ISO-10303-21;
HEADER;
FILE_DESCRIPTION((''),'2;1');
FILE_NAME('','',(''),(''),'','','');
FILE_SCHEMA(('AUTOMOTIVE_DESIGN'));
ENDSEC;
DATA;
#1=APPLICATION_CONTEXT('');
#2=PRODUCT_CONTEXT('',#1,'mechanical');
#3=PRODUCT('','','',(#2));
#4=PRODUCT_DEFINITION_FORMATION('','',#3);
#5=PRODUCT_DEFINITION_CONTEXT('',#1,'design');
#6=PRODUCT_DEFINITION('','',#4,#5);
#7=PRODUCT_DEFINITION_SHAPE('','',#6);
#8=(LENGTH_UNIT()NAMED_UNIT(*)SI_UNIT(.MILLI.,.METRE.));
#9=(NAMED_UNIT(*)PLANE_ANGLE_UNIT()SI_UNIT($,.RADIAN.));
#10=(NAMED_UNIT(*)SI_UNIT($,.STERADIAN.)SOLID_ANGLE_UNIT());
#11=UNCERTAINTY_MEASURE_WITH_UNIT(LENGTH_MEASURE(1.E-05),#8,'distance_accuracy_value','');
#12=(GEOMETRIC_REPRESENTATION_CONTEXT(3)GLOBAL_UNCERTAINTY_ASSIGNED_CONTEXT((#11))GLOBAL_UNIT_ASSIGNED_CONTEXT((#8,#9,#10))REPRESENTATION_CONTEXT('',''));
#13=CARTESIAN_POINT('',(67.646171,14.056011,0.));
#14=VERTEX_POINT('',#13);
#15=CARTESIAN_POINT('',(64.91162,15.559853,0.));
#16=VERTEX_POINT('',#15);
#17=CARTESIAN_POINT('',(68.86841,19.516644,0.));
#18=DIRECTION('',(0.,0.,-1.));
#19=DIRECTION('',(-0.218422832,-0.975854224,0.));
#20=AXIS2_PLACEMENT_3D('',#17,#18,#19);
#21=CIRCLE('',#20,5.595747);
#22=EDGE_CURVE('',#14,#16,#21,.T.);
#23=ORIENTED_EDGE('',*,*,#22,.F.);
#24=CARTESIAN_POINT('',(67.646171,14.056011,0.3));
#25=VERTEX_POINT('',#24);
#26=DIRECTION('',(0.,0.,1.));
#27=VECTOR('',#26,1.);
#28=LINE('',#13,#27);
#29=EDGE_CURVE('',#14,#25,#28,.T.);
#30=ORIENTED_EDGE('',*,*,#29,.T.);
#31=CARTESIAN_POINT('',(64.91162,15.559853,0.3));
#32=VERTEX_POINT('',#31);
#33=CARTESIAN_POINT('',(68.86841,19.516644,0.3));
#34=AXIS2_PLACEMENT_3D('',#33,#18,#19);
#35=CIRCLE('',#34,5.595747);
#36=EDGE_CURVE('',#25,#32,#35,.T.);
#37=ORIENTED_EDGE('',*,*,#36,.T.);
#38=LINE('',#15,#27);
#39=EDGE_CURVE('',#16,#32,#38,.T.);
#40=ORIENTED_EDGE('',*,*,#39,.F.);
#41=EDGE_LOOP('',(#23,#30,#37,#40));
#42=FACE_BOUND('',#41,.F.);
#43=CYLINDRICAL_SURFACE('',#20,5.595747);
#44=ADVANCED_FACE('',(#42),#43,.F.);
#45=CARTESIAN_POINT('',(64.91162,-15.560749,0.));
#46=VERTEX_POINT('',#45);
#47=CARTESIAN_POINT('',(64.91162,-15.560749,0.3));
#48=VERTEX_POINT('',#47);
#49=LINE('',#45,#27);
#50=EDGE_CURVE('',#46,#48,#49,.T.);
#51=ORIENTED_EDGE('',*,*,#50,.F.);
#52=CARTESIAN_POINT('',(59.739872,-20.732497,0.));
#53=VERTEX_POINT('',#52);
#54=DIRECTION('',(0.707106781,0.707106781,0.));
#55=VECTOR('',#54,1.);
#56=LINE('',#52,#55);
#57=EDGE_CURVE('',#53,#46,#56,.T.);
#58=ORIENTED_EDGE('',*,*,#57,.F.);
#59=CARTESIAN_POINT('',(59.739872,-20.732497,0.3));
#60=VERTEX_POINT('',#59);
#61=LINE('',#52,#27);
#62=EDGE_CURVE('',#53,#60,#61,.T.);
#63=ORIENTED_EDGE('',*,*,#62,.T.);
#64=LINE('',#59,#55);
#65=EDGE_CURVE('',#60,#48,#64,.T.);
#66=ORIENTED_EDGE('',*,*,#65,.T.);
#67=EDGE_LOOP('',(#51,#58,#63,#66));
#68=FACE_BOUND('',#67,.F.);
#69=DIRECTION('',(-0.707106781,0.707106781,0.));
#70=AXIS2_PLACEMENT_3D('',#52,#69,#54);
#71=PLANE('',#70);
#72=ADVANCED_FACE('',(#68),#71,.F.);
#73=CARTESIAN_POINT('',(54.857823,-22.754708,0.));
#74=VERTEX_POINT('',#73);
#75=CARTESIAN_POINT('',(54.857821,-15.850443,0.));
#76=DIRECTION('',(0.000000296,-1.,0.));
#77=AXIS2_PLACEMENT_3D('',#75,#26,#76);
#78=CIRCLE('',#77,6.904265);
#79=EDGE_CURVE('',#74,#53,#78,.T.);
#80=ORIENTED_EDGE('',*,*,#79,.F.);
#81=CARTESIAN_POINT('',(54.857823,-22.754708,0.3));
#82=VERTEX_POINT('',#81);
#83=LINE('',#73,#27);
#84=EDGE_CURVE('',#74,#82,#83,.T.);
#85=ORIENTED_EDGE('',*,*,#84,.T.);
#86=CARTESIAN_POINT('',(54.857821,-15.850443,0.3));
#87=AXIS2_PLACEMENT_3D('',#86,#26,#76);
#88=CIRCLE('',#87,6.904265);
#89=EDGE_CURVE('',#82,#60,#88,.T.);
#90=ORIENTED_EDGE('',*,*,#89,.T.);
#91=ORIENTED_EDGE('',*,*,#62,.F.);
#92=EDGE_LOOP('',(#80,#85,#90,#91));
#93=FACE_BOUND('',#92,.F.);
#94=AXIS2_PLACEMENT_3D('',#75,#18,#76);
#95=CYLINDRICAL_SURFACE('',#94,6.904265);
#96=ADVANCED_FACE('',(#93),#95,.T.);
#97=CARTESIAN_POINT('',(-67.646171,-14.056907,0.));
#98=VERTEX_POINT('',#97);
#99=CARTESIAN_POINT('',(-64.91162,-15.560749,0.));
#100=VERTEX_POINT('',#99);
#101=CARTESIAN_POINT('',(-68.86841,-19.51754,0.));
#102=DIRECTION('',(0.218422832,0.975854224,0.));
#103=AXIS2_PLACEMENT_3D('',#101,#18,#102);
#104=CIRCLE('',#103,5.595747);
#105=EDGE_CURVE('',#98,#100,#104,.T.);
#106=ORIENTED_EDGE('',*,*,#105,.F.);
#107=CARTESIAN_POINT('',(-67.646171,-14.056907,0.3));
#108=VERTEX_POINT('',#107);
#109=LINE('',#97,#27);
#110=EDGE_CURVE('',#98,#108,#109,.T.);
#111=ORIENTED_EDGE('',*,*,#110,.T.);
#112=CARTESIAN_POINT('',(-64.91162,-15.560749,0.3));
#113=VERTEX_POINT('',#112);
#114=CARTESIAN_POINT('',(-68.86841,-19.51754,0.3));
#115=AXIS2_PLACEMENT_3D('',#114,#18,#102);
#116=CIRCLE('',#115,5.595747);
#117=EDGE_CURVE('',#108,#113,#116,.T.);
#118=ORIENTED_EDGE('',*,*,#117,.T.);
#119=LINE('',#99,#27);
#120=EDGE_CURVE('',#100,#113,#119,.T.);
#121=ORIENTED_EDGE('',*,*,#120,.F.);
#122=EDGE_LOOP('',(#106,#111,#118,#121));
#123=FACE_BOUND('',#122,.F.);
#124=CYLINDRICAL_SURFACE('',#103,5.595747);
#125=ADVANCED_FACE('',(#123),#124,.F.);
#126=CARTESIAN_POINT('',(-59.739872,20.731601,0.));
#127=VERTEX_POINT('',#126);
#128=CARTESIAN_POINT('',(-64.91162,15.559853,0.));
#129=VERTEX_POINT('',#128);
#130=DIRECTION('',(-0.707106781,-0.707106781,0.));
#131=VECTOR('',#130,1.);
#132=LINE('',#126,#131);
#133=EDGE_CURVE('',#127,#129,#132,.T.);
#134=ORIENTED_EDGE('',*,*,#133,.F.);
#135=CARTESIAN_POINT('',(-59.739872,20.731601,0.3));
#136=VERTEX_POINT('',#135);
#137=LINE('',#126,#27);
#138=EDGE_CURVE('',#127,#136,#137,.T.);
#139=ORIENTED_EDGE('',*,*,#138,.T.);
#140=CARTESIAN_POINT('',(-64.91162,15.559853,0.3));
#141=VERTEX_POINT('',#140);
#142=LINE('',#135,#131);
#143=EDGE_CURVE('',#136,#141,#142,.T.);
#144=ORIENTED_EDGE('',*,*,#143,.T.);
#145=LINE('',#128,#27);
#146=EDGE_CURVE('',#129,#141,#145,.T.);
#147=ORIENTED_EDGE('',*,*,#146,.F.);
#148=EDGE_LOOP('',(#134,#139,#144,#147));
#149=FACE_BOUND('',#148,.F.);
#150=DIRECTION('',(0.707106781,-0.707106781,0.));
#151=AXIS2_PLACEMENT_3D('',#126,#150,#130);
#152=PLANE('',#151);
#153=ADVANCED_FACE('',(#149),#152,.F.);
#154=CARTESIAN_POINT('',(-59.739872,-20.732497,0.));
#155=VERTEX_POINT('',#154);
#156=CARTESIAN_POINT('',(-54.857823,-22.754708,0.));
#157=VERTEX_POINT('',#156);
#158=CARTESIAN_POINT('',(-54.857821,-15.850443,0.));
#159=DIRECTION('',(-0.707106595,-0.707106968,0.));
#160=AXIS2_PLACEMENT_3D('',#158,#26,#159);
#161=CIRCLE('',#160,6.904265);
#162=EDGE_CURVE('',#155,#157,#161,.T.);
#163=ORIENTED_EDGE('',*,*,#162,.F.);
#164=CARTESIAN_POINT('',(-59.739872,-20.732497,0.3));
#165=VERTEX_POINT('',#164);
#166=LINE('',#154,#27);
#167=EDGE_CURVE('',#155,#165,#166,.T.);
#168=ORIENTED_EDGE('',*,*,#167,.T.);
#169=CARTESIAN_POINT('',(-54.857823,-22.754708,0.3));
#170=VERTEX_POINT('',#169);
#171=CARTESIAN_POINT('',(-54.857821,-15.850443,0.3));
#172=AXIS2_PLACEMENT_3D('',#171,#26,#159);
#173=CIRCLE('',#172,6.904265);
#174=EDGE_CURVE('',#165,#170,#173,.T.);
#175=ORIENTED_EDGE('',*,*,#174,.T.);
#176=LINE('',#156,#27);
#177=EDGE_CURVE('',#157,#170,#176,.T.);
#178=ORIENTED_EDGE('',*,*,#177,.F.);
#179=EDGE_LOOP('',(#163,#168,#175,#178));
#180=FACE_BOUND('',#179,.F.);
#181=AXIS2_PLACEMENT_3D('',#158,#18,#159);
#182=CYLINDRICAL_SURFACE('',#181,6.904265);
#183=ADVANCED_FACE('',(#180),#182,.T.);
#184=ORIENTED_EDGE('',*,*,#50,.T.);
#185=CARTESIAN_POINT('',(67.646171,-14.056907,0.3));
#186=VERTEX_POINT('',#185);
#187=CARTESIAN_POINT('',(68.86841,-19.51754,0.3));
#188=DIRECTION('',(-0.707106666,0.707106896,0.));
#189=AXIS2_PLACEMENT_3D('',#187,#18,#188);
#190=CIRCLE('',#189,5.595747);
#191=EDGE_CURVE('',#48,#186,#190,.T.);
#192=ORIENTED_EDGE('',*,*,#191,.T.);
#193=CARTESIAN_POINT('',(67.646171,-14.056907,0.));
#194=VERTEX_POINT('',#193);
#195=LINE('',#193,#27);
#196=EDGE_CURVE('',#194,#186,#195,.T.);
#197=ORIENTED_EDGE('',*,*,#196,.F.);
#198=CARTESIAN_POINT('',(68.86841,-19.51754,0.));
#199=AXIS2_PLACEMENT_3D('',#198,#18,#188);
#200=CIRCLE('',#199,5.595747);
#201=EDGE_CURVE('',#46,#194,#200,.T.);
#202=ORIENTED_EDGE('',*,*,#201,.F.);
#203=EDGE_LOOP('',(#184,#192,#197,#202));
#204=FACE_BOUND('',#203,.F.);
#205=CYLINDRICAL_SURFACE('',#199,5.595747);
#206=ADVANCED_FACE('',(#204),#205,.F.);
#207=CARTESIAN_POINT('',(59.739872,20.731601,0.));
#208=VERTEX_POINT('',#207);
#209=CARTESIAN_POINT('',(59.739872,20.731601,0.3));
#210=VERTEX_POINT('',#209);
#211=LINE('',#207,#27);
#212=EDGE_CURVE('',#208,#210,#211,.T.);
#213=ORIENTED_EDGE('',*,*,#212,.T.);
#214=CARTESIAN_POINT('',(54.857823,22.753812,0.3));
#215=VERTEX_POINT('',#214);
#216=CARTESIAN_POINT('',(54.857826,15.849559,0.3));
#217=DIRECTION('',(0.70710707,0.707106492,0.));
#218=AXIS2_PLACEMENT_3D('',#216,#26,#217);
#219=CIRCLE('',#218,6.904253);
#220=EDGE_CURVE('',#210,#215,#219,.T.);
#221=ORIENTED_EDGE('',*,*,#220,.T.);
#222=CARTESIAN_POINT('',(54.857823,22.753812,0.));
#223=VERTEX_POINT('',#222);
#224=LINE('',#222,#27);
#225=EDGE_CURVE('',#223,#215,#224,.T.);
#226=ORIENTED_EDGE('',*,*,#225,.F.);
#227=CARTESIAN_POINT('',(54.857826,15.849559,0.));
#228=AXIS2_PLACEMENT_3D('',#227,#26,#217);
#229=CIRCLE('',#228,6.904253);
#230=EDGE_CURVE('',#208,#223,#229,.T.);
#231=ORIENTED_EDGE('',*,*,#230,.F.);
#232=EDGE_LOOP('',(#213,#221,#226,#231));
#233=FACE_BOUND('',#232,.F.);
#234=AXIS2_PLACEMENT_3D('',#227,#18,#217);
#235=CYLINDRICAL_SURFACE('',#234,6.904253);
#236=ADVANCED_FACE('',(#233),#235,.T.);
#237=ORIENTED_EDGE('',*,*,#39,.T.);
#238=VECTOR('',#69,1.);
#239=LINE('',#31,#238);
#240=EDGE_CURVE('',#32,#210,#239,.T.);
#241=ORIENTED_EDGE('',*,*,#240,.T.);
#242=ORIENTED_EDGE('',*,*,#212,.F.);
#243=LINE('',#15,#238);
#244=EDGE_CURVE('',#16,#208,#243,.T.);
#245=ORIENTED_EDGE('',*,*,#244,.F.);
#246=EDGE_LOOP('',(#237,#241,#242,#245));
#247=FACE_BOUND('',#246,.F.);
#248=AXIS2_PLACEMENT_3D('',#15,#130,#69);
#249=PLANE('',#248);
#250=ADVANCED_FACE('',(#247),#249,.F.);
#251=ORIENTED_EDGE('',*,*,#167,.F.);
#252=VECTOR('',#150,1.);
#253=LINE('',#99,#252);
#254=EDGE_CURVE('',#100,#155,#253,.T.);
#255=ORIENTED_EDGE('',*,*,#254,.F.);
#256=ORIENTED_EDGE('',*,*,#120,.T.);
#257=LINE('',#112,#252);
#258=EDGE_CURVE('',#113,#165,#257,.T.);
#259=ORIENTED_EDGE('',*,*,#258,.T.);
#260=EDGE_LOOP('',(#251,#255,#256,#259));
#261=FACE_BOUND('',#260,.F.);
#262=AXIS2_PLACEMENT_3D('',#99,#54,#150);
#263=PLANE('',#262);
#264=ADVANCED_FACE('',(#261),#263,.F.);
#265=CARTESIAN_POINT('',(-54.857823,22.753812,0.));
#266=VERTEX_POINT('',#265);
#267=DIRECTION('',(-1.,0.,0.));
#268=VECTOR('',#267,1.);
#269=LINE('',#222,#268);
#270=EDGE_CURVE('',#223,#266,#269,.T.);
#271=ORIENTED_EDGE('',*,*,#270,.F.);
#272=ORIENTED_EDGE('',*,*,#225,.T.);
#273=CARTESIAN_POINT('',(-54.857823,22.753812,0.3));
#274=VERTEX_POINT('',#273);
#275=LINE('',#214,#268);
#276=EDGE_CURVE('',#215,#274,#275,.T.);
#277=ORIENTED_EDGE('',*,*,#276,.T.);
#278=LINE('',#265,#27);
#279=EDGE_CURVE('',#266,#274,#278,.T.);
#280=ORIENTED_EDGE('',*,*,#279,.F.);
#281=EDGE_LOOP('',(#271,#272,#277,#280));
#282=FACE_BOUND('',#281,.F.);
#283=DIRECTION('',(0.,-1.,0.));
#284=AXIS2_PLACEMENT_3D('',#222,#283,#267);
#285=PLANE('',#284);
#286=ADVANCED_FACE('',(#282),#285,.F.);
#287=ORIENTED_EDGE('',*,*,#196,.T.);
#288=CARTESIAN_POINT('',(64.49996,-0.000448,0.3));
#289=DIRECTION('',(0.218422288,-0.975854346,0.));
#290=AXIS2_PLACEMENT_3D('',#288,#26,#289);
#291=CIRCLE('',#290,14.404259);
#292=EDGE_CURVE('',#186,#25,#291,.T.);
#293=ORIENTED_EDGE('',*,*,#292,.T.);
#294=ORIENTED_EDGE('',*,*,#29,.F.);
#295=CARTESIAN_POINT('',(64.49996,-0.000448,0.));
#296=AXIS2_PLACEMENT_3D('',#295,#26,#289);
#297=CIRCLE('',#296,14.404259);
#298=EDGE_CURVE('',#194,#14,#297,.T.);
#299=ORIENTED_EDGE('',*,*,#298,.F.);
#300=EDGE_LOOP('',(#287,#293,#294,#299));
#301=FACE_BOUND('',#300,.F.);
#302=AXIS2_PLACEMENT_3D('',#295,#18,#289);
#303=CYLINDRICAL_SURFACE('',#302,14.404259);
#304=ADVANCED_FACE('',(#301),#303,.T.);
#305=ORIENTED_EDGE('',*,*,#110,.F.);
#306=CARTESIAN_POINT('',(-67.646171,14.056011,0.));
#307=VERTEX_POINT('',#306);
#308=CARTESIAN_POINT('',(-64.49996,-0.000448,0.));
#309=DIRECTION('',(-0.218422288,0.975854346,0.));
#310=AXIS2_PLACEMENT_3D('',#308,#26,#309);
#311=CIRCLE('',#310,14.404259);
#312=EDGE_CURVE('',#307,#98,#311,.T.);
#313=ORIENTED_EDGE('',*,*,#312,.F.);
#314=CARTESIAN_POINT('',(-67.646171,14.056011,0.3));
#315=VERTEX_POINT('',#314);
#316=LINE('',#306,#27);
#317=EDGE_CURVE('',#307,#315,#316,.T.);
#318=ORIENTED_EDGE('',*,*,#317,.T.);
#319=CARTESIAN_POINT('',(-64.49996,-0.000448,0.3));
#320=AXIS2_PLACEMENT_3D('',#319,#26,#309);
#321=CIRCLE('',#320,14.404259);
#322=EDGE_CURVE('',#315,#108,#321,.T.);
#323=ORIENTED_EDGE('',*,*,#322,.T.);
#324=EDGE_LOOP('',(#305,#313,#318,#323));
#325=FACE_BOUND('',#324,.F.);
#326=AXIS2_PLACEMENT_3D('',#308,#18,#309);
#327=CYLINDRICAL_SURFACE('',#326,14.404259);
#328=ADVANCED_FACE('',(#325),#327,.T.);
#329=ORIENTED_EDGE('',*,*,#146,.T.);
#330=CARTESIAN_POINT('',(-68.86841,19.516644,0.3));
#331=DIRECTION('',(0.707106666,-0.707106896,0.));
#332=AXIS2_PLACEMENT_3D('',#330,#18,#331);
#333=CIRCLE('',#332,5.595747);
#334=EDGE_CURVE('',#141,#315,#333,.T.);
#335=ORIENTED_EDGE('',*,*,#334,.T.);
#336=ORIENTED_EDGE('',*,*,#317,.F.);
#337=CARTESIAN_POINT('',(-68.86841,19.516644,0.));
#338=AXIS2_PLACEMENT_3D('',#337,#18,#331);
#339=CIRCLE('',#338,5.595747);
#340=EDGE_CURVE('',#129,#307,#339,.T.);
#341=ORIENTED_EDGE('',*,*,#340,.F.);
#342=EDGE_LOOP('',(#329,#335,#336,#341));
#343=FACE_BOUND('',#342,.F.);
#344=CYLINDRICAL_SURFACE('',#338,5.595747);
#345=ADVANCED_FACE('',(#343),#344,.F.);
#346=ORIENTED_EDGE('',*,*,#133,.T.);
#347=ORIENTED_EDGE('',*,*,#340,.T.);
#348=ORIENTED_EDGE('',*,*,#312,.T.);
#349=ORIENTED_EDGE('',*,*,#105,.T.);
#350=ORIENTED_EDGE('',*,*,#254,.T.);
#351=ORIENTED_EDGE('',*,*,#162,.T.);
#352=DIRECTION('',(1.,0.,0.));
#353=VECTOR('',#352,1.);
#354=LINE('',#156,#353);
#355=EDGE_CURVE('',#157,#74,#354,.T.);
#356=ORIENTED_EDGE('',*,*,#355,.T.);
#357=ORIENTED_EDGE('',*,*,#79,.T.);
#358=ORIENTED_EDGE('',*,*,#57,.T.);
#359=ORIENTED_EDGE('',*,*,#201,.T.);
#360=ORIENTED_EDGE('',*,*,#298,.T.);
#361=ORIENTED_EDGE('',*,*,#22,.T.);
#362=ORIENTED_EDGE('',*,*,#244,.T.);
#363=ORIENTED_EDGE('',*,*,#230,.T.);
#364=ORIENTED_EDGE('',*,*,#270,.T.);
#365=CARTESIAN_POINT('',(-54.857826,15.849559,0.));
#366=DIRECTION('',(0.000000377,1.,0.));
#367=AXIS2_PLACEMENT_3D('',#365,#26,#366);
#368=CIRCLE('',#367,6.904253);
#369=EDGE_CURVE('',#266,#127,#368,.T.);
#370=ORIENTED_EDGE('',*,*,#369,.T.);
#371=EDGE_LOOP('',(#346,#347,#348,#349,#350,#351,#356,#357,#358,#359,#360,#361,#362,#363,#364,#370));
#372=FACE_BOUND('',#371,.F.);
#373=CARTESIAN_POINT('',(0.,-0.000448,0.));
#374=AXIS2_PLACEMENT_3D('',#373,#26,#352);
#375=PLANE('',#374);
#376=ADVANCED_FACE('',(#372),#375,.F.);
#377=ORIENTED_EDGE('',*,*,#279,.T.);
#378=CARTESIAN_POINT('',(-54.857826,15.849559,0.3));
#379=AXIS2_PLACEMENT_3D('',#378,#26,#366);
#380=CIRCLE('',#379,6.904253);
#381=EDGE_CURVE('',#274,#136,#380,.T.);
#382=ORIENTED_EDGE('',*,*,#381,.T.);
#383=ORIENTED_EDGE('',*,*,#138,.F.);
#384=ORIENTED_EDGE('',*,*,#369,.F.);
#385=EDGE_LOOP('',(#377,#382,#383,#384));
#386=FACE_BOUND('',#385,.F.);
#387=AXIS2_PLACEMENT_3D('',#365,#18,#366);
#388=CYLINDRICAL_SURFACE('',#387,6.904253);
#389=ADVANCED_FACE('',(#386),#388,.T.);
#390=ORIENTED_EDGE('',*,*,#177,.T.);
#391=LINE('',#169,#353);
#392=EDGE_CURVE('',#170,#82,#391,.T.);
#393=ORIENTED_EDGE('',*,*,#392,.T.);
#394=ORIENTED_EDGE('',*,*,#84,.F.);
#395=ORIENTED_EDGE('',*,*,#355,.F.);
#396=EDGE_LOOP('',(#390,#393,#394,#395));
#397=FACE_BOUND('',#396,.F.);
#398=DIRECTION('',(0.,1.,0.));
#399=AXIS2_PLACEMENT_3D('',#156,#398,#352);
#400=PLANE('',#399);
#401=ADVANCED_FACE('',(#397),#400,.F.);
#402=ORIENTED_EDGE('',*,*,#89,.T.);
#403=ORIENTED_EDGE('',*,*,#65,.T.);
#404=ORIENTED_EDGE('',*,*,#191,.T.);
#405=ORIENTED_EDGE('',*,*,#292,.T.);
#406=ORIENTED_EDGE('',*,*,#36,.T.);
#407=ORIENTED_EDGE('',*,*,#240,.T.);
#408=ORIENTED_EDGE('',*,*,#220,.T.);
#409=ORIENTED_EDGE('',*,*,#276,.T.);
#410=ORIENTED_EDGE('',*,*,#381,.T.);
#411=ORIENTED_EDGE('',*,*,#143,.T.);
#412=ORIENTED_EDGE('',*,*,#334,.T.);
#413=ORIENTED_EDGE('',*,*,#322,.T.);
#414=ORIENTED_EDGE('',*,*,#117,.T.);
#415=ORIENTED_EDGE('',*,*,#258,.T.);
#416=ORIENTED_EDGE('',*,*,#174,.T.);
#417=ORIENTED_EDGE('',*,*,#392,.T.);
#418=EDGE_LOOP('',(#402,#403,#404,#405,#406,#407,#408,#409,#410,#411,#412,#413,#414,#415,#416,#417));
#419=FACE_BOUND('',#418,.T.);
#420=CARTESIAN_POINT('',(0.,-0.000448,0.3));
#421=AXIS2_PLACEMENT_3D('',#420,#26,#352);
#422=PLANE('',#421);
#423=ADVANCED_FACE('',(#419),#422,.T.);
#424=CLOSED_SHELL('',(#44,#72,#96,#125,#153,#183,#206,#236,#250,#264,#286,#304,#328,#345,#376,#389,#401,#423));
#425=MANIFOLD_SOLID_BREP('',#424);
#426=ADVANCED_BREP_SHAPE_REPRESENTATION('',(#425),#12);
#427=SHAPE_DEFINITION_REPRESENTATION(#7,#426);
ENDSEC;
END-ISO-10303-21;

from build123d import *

# Parameters (mm, degrees)
F1_DEPTH = 0.3


with BuildPart() as f1:
    # F0 (on Top) → F1 (new body)
    with BuildSketch(Plane.XY):
        with BuildLine():
            ThreePointArc((54.857823, -22.754708), (57.499969, -22.229152), (59.739872, -20.732497))
            Line((59.739872, -20.732497), (64.91162, -15.560749))
            ThreePointArc((64.91162, -15.560749), (66.171936, -14.614336), (67.646171, -14.056907))
            ThreePointArc((67.646171, -14.056907), (78.904219, -0.000448), (67.646171, 14.056011))
            ThreePointArc((67.646171, 14.056011), (66.171936, 14.61344), (64.91162, 15.559853))
            Line((64.91162, 15.559853), (59.739872, 20.731601))
            ThreePointArc((59.739872, 20.731601), (57.499969, 22.228257), (54.857823, 22.753812))
            Line((54.857823, 22.753812), (-54.857823, 22.753812))
            ThreePointArc((-54.857823, 22.753812), (-57.499969, 22.228257), (-59.739872, 20.731601))
            Line((-59.739872, 20.731601), (-64.91162, 15.559853))
            ThreePointArc((-64.91162, 15.559853), (-66.171936, 14.61344), (-67.646171, 14.056011))
            ThreePointArc((-67.646171, 14.056011), (-78.904219, -0.000448), (-67.646171, -14.056907))
            ThreePointArc((-67.646171, -14.056907), (-66.171936, -14.614336), (-64.91162, -15.560749))
            Line((-64.91162, -15.560749), (-59.739872, -20.732497))
            ThreePointArc((-59.739872, -20.732497), (-57.499969, -22.229152), (-54.857823, -22.754708))
            Line((-54.857823, -22.754708), (54.857823, -22.754708))
        make_face()
    extrude(amount=F1_DEPTH)


solid = f1.part
